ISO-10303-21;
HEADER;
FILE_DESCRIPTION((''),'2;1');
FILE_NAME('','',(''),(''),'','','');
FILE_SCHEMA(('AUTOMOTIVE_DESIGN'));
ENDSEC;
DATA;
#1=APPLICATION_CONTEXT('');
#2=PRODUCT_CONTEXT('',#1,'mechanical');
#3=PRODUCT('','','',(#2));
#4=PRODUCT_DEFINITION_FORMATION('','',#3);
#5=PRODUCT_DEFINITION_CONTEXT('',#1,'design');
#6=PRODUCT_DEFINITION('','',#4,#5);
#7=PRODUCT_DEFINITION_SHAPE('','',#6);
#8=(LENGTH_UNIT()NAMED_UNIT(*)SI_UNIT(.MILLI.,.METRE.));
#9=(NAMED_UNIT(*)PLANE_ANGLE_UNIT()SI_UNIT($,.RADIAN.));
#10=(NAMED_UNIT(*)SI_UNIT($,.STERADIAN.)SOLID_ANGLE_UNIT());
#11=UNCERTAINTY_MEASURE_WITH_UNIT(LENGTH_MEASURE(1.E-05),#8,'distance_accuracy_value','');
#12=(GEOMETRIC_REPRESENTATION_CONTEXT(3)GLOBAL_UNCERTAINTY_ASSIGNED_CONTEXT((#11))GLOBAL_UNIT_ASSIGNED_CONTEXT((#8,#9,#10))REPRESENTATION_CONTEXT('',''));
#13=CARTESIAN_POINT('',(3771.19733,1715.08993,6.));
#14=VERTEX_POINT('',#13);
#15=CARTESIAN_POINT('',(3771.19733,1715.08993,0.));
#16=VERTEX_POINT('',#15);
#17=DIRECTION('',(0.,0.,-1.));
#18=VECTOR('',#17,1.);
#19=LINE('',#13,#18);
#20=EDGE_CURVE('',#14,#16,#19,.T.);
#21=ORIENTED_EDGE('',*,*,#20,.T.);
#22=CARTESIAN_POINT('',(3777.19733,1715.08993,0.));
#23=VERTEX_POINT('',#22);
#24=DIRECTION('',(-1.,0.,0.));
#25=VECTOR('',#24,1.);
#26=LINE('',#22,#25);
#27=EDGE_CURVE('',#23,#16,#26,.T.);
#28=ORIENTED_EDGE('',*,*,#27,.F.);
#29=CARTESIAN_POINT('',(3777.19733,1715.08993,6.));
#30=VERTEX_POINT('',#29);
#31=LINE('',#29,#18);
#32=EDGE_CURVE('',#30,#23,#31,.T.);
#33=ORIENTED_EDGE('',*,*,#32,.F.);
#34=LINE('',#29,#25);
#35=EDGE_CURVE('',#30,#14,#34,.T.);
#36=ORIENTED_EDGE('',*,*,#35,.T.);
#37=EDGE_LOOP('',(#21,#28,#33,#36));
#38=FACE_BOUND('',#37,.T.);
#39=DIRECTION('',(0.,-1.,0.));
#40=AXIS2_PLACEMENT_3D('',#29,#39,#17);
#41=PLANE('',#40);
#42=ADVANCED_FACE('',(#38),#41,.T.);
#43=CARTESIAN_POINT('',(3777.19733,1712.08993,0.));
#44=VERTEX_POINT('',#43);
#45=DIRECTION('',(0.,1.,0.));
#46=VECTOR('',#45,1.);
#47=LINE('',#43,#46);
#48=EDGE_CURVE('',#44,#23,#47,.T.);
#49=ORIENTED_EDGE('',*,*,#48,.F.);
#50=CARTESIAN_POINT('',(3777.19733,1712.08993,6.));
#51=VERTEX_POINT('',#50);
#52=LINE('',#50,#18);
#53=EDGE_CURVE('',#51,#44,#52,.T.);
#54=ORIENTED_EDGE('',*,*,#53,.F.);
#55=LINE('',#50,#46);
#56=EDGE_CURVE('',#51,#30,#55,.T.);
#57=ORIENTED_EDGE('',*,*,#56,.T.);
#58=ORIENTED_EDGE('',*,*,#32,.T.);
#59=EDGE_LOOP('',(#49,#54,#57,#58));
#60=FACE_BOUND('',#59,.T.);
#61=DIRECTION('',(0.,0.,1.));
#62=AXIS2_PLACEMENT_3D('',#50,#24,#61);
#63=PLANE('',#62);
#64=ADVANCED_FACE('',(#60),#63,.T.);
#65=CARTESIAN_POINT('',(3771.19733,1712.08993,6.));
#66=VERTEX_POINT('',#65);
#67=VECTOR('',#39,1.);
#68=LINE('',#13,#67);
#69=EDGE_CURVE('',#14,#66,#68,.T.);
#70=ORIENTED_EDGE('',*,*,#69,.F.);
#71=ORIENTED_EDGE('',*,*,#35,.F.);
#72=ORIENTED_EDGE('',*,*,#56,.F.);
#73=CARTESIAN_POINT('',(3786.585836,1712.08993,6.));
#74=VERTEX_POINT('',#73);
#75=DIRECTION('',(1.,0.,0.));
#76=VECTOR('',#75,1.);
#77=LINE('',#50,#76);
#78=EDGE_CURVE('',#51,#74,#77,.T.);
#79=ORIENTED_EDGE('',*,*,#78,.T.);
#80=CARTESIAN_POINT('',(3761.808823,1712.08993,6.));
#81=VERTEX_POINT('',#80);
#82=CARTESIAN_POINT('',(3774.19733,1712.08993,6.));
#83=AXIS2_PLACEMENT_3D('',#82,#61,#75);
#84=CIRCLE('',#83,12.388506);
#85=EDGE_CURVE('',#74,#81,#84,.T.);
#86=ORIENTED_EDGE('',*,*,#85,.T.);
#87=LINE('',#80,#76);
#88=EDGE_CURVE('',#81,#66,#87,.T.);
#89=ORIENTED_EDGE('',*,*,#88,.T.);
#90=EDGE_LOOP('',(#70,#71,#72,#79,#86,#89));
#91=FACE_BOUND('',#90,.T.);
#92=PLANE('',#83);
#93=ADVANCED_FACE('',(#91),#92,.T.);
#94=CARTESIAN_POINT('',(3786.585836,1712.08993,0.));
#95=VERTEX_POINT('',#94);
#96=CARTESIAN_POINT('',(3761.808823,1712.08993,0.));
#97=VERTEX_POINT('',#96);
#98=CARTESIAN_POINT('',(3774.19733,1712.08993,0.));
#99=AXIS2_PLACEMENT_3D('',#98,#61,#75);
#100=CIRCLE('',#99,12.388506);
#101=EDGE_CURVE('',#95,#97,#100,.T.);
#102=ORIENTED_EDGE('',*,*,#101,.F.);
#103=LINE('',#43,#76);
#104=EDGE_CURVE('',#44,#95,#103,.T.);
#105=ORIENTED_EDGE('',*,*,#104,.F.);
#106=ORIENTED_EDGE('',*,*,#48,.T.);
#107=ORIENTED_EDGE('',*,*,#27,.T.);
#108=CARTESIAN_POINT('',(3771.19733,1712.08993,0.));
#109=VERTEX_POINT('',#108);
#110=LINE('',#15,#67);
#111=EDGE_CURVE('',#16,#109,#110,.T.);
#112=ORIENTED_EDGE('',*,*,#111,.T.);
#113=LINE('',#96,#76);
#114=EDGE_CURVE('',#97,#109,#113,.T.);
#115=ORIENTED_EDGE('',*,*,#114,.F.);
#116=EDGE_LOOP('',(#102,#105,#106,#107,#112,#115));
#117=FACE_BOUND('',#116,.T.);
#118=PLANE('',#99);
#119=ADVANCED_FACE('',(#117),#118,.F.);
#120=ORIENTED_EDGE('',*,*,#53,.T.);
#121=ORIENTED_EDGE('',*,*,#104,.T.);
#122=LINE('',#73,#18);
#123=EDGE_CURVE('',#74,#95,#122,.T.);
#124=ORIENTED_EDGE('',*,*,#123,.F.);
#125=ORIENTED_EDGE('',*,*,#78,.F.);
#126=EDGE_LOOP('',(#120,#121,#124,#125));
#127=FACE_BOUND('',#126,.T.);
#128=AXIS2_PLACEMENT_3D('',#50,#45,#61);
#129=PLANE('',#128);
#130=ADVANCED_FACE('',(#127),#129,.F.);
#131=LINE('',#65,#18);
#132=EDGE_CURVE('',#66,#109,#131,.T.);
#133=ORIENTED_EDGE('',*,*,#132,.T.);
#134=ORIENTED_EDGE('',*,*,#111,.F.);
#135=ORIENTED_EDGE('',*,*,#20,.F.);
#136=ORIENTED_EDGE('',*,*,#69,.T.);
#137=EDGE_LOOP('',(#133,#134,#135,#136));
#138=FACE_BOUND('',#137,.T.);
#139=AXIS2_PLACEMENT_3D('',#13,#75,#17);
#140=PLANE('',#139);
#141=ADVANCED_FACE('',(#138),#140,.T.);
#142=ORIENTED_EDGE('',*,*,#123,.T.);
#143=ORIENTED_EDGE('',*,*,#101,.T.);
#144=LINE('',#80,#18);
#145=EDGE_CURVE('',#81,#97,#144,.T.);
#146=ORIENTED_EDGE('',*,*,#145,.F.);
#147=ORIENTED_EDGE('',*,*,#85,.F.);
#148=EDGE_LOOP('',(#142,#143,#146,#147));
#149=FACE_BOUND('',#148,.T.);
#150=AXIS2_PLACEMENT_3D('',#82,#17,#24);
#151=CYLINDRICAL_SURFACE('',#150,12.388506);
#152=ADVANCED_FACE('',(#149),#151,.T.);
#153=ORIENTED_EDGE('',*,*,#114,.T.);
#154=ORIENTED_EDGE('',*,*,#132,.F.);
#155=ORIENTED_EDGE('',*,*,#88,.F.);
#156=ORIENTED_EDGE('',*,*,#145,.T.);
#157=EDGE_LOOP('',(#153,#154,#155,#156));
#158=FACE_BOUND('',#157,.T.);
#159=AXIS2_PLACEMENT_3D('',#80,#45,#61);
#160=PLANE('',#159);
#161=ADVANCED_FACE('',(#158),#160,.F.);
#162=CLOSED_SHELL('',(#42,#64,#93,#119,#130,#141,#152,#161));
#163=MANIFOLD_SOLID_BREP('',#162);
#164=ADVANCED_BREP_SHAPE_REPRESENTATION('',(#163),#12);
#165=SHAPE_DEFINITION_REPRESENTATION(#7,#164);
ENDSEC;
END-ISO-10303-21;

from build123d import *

# Parameters (mm, degrees)
BOSS_EXTRUDE1_DEPTH = 6


with BuildPart() as part:
    # Model → Boss-Extrude1 (new body)
    with BuildSketch(Plane.XY):
        with BuildLine():
            Line((3761.808823463, 1712.089930422), (3771.1973296, 1712.089930422))
            Line((3771.1973296, 1712.089930422), (3771.1973296, 1715.089930422))
            Line((3771.1973296, 1715.089930422), (3777.1973296, 1715.089930422))
            Line((3777.1973296, 1715.089930422), (3777.1973296, 1712.089930422))
            Line((3777.1973296, 1712.089930422), (3786.585835737, 1712.089930422))
            ThreePointArc((3786.585835737, 1712.089930422), (3774.1973296, 1724.47843656), (3761.808823463, 1712.089930422))
        make_face()
    extrude(amount=BOSS_EXTRUDE1_DEPTH)


solid = part.part
